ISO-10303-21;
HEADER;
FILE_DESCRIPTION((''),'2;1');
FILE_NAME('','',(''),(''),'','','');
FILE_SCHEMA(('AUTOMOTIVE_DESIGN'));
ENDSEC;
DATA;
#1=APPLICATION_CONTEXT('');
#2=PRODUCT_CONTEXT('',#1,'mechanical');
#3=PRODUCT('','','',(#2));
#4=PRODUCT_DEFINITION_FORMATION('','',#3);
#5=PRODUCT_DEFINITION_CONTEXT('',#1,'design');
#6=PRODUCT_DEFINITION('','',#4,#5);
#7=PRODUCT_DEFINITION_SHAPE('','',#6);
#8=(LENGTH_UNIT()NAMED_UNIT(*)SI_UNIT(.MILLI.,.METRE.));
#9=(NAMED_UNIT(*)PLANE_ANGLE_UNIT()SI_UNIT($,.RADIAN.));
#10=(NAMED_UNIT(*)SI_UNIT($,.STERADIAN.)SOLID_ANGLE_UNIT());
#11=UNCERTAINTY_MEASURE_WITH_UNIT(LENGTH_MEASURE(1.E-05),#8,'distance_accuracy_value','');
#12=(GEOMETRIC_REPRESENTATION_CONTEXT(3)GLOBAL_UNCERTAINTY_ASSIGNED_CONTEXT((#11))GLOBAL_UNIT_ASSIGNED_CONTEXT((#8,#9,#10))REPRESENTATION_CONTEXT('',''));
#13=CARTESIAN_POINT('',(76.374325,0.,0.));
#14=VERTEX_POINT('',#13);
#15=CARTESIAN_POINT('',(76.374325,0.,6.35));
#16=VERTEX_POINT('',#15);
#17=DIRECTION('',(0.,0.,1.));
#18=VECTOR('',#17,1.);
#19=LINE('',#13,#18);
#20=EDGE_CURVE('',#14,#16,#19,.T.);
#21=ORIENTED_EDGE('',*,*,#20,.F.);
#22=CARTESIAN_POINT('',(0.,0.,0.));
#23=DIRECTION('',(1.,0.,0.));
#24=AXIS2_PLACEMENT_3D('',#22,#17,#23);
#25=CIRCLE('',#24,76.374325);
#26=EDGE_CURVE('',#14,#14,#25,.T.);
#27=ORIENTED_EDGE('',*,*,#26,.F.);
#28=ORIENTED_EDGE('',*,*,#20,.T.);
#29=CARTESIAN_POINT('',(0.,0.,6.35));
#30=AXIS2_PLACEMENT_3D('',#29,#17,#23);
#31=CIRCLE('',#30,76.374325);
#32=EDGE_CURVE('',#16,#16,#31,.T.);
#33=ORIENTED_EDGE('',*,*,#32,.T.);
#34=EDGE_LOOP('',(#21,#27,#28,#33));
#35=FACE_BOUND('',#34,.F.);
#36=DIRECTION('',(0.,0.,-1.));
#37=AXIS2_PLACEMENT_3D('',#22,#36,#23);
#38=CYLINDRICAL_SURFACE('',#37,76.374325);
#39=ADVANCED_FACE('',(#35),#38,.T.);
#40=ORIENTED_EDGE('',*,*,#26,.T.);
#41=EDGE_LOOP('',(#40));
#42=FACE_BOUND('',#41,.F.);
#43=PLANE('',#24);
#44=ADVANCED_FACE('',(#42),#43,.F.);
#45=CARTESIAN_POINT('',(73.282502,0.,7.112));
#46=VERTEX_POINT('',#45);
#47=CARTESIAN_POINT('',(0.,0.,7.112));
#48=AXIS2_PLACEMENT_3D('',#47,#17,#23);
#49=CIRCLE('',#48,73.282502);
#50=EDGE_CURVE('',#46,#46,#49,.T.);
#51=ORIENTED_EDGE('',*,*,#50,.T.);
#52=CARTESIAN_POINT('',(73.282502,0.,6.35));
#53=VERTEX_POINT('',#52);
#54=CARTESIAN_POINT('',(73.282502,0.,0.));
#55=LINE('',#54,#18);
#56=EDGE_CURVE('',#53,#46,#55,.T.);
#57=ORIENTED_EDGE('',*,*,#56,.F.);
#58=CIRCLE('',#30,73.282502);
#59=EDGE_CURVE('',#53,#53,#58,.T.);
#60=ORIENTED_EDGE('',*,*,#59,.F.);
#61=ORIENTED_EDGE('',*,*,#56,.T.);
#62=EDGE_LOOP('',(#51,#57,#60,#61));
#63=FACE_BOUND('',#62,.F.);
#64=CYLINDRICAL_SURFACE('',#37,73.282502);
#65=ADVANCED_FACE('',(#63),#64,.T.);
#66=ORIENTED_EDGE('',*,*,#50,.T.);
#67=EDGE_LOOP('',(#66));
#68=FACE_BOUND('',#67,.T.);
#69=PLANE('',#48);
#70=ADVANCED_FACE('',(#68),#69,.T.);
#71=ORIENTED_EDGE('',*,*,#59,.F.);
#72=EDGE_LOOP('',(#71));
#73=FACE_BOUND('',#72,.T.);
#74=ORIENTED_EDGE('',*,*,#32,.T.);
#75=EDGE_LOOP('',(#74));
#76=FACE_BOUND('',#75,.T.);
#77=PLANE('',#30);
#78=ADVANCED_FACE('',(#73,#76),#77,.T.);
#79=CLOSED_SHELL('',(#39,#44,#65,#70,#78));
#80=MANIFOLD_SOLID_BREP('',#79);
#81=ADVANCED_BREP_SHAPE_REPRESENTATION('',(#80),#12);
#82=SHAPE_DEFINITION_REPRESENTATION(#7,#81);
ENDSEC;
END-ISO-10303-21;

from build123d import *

# Parameters (mm, degrees)
F0_R     = 76.374325
F0_R_2   = 73.282502
F1_DEPTH = 6.35
F0_R_3   = 70.429663
F2_DEPTH = 7.112


with BuildPart() as f1:
    # F0 (on Top) → F1 (new body)
    with BuildSketch(Plane.XY):
        Circle(F0_R)
        Circle(F0_R_2, mode=Mode.SUBTRACT)
    extrude(amount=F1_DEPTH)

    # F0 (on Top) → F2 (join)
    with BuildSketch(Plane.XY):
        Circle(F0_R_2)
        Circle(F0_R_3, mode=Mode.SUBTRACT)
        Circle(F0_R_3)
    extrude(amount=F2_DEPTH)


solid = f1.part
